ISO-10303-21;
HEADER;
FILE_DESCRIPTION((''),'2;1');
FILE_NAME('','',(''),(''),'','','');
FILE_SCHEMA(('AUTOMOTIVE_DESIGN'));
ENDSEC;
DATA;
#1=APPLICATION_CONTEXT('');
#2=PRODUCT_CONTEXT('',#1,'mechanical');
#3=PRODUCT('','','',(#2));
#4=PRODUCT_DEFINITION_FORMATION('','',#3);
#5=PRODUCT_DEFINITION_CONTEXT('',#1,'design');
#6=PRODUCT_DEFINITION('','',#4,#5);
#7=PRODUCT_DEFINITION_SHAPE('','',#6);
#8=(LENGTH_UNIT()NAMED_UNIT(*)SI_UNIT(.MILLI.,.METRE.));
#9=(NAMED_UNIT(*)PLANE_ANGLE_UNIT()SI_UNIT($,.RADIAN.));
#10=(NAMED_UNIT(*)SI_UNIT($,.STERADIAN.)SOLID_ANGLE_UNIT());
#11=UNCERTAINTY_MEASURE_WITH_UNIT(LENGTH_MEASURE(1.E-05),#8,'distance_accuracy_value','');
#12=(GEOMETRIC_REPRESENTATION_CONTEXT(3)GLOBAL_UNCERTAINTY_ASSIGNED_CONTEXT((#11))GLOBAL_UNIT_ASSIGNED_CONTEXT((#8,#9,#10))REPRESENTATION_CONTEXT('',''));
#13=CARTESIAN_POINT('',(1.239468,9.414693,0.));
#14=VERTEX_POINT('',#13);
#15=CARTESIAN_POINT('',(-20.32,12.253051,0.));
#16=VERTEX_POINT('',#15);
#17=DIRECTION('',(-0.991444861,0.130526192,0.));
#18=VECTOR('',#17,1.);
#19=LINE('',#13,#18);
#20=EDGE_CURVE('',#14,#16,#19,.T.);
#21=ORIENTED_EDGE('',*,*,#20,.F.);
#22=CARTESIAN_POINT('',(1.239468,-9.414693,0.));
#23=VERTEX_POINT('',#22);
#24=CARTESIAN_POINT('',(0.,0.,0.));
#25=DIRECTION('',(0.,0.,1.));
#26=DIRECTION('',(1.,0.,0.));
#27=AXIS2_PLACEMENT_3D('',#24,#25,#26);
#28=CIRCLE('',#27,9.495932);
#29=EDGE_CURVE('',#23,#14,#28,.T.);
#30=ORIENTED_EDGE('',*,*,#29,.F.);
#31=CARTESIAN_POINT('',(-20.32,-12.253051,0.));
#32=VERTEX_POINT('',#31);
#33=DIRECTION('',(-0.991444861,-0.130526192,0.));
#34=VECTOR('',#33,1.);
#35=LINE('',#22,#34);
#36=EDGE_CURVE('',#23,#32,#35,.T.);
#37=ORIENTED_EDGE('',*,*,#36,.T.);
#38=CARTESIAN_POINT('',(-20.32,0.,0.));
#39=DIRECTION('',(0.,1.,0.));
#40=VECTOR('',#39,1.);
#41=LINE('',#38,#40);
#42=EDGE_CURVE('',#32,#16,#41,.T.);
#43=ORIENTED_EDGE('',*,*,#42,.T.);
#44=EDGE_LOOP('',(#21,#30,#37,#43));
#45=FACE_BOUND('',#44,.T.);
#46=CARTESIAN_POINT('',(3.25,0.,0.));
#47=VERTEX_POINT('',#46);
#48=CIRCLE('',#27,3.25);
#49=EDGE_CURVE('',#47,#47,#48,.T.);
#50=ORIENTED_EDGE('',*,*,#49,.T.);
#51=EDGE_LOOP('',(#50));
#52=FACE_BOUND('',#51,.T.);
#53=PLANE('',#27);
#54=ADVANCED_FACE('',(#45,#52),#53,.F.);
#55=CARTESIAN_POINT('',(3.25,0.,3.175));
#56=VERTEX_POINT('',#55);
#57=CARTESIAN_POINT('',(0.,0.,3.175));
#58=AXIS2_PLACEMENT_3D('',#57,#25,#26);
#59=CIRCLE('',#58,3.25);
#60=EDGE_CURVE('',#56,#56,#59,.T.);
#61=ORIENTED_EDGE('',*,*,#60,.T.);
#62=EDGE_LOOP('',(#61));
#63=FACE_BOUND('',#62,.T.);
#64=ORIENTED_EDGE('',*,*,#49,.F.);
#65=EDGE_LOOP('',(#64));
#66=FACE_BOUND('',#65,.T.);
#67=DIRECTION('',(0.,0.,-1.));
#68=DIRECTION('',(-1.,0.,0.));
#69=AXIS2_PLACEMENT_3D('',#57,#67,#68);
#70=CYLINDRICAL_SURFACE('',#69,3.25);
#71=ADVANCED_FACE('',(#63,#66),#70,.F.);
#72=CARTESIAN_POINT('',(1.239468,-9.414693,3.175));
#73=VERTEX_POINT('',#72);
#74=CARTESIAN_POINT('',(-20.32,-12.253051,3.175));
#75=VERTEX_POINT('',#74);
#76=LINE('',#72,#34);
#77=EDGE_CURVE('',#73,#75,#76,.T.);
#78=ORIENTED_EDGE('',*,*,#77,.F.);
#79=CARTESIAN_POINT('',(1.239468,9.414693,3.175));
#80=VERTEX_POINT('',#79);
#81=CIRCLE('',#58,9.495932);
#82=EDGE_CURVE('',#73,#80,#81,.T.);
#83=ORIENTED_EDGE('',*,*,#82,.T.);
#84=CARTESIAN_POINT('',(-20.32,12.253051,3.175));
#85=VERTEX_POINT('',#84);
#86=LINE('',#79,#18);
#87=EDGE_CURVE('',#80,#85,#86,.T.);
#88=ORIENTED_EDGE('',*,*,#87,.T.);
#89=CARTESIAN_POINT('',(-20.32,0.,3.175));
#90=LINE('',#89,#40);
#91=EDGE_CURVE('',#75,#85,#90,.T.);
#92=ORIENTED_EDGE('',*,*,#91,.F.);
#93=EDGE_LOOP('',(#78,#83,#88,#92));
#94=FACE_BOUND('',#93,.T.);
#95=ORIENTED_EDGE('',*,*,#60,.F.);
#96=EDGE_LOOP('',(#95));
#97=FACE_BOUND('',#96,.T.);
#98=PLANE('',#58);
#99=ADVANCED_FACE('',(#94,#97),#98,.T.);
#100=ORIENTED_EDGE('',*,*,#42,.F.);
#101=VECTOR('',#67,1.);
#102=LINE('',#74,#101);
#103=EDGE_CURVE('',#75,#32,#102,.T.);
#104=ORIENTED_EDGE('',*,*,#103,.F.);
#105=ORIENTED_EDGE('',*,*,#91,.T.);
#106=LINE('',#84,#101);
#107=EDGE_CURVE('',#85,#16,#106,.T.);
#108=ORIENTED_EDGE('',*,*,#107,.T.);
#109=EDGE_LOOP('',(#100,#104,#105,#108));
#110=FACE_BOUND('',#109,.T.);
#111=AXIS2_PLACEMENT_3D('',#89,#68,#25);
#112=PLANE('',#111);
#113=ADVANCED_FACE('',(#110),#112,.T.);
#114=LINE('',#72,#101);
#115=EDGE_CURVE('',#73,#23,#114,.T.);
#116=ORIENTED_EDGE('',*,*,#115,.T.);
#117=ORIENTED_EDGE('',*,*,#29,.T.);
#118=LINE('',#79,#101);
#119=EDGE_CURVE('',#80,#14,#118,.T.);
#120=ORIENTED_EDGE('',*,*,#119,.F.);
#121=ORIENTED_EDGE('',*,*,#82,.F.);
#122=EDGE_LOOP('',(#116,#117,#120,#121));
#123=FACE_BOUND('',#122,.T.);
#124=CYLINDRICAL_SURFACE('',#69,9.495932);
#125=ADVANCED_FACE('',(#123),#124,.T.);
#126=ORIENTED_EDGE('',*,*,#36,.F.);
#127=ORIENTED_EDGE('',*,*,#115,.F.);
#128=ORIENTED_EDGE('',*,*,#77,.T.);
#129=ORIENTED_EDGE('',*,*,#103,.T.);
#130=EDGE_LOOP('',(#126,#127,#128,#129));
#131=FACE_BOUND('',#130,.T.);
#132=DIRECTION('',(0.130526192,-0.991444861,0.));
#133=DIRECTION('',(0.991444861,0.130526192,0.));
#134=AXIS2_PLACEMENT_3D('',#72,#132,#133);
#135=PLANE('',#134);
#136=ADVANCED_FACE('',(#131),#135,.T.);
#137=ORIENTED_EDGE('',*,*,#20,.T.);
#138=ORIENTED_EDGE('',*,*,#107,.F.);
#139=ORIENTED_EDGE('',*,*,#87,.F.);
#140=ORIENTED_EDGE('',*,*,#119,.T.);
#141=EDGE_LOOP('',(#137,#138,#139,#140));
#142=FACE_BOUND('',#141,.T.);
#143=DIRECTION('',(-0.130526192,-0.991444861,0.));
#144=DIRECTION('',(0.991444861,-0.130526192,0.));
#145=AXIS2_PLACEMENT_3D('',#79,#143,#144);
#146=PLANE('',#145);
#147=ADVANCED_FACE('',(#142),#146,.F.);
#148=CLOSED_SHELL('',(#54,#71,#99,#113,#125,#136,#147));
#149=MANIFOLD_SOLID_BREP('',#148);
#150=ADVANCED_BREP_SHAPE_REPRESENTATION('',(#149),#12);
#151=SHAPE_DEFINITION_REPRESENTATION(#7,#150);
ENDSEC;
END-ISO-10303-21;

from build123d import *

# Parameters (mm, degrees)
SKETCH1_R           = 3.25
BOSS_EXTRUDE1_DEPTH = 3.175


with BuildPart() as part:
    # Sketch1 → Boss-Extrude1 (new body)
    with BuildSketch(Plane(origin=(-1053.740804459, 0, 0), x_dir=(1, 0, 0), z_dir=(0, 0, 1))):
        with BuildLine():
            Line((1033.420804459, -12.253050985), (1054.980272331, -9.414693193))
            ThreePointArc((1054.980272331, -9.414693193), (1063.236736668, 0), (1054.980272331, 9.414693193))
            Line((1054.980272331, 9.414693193), (1033.420804459, 12.253050985))
            Line((1033.420804459, 12.253050985), (1033.420804459, -12.253050985))
        make_face()
        with Locations((1053.740804459, 0)):
            Circle(SKETCH1_R, mode=Mode.SUBTRACT)
    extrude(amount=BOSS_EXTRUDE1_DEPTH)


solid = part.part
